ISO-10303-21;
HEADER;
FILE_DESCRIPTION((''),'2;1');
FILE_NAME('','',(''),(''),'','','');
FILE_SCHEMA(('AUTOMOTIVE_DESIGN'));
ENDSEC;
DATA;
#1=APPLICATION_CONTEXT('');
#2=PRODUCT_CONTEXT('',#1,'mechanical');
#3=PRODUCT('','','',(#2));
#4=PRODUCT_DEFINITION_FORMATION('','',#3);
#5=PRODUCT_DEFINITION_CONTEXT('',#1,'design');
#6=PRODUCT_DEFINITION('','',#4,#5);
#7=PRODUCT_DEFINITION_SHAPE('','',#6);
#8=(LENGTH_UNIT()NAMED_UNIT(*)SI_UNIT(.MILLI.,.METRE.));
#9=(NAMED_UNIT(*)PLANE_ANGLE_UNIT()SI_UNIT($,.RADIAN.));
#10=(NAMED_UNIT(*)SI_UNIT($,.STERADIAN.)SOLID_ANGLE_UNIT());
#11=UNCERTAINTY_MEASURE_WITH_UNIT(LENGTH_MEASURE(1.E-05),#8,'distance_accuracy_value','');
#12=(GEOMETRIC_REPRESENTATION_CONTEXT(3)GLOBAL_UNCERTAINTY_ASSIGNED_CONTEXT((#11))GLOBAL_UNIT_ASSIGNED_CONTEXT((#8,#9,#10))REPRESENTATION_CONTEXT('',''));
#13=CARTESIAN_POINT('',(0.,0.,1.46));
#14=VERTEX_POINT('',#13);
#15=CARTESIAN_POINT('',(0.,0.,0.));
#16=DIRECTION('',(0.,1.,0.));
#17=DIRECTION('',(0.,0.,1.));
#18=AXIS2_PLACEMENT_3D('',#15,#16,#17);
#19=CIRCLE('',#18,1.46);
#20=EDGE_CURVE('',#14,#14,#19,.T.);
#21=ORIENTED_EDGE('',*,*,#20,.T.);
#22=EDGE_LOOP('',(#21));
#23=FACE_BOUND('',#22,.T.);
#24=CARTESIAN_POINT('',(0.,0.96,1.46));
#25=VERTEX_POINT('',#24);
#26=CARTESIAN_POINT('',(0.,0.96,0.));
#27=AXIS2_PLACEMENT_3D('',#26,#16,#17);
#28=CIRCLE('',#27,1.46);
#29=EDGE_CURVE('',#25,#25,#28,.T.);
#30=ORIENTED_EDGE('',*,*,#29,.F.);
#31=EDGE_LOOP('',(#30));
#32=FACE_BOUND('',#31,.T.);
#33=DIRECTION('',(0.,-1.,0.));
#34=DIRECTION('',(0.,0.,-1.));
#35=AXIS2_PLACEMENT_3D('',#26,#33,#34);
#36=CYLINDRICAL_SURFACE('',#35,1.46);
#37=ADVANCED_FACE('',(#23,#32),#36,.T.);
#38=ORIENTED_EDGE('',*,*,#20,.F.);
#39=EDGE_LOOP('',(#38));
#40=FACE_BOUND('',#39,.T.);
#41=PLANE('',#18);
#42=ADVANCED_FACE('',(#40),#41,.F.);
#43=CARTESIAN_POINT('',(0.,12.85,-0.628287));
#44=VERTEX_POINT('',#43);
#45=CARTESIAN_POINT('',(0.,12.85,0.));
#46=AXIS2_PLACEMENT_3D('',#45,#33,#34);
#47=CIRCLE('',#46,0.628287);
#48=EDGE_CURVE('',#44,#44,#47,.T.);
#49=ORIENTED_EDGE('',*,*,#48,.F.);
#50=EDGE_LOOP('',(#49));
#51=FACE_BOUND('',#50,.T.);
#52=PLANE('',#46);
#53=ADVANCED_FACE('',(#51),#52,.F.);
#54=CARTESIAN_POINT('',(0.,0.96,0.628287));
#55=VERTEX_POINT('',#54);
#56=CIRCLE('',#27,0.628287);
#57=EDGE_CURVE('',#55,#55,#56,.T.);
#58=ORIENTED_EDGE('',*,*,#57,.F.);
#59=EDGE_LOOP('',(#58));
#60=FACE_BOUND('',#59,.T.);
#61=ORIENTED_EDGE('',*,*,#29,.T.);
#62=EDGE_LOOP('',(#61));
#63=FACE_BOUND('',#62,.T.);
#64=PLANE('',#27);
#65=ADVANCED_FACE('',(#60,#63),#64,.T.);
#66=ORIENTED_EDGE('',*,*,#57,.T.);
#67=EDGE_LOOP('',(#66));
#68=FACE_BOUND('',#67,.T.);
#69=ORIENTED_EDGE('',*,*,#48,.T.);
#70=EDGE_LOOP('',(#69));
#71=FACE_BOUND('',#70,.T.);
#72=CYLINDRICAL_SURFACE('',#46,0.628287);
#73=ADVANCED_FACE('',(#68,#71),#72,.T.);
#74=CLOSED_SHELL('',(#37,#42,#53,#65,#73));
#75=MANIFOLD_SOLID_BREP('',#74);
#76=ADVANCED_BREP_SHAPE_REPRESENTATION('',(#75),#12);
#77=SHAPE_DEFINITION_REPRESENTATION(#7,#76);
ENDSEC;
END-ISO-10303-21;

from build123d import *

# Parameters (mm, degrees)
SKETCH1_R           = 1.46
BOSS_EXTRUDE1_DEPTH = 0.96
SKETCH2_R           = 0.628287376
BOSS_EXTRUDE2_DEPTH = 12.85


with BuildPart() as part:
    # Sketch1 → Boss-Extrude1 (new body)
    with BuildSketch(Plane(origin=(0, 0, 0), x_dir=(1, 0, 0), z_dir=(0, 1, 0))):
        with Locations(Location((0, 0, 0), (0, 0, 270))):
            Circle(SKETCH1_R)
    extrude(amount=BOSS_EXTRUDE1_DEPTH)

    # Sketch2 → Boss-Extrude2 (add)
    with BuildSketch(Plane.XZ):
        with Locations(Location((0, 0, 0), (0, 0, 270))):
            Circle(SKETCH2_R)
    extrude(amount=-BOSS_EXTRUDE2_DEPTH)


solid = part.part
